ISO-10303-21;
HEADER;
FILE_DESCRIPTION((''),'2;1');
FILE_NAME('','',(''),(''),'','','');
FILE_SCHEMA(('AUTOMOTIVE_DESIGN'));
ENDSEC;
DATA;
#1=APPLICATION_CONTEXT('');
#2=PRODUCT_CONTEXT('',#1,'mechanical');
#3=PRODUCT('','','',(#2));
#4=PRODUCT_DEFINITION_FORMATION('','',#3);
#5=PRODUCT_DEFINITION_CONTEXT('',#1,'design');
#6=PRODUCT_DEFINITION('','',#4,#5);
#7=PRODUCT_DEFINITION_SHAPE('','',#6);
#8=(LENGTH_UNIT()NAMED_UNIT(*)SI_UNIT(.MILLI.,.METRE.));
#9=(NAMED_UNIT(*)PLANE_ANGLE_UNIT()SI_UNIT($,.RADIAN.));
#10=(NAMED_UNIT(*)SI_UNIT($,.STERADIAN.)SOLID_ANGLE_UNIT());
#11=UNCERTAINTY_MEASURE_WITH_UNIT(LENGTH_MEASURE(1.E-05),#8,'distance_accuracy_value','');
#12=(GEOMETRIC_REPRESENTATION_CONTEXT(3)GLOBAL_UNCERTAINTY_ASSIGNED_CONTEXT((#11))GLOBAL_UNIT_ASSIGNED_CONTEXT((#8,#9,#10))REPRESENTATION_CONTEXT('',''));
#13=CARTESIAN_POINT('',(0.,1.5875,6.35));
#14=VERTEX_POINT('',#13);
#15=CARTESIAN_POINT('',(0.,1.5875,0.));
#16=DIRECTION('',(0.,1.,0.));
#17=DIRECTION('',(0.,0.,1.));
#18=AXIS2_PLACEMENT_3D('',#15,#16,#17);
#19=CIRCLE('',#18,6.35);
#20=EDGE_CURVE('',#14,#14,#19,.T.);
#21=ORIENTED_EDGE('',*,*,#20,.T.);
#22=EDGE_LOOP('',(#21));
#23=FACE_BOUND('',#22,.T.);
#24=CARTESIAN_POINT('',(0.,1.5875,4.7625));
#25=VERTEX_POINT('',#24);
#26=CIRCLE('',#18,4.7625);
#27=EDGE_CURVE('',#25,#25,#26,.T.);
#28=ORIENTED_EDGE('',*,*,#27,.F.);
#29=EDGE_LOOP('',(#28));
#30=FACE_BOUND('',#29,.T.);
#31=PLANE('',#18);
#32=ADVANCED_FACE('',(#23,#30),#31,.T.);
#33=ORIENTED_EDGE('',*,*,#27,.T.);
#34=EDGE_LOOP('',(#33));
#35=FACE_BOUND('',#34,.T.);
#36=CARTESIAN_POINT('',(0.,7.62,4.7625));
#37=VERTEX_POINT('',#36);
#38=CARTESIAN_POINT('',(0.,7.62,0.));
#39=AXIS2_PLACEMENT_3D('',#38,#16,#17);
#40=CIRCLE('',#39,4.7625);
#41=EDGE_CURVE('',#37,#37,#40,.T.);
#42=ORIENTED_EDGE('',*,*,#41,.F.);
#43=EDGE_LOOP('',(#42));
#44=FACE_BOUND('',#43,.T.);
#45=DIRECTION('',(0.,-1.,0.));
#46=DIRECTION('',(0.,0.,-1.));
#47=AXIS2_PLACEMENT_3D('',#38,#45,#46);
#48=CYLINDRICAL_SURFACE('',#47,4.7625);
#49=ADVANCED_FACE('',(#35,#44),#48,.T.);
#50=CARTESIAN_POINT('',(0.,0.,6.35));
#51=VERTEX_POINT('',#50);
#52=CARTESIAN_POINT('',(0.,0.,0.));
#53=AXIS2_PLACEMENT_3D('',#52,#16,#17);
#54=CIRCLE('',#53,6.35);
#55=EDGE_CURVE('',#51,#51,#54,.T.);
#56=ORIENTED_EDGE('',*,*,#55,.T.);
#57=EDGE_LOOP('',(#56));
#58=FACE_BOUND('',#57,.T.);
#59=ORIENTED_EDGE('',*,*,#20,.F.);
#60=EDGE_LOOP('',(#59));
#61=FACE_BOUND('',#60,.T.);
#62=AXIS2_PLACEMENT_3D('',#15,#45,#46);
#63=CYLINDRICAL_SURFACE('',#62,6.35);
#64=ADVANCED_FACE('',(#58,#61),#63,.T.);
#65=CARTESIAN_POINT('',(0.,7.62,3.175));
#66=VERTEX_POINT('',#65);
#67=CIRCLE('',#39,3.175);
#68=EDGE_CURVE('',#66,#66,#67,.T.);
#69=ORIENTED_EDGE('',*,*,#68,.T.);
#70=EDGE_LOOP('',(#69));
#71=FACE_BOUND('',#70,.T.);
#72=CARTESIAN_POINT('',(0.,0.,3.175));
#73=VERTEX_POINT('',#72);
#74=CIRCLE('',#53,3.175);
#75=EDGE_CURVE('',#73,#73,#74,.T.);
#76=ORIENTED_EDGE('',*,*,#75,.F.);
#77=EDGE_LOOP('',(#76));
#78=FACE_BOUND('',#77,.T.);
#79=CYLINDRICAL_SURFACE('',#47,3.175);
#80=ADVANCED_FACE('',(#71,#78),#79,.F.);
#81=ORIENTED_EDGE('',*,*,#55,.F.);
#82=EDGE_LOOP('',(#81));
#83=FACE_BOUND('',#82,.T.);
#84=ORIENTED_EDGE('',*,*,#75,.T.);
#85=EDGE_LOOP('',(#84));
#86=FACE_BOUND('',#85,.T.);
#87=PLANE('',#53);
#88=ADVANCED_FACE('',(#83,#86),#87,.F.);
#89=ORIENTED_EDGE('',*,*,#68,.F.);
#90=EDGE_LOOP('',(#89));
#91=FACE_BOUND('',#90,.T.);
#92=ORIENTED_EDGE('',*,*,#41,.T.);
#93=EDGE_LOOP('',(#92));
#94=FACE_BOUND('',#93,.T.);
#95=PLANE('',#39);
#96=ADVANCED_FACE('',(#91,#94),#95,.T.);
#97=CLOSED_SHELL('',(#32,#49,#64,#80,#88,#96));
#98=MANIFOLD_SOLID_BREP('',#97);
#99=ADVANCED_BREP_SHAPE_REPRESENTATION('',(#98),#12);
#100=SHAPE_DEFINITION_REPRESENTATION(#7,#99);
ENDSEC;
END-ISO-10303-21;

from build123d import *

# Parameters (mm, degrees)
SKETCH2_R           = 4.7625
SKETCH2_R_2         = 3.175
BOSS_EXTRUDE1_DEPTH = 7.62
SKETCH3_R           = 6.35
SKETCH3_R_2         = 4.7625
BOSS_EXTRUDE2_DEPTH = 1.5875


with BuildPart() as part:
    # Sketch2 → Boss-Extrude1 (new body)
    with BuildSketch(Plane(origin=(0, 0, 0), x_dir=(1, 0, 0), z_dir=(0, 1, 0))):
        Circle(SKETCH2_R)
        Circle(SKETCH2_R_2, mode=Mode.SUBTRACT)
    extrude(amount=BOSS_EXTRUDE1_DEPTH)

    # Sketch3 → Boss-Extrude2 (add)
    with BuildSketch(Plane(origin=(0, 0, 0), x_dir=(1, 0, 0), z_dir=(0, 1, 0))):
        Circle(SKETCH3_R)
        Circle(SKETCH3_R_2, mode=Mode.SUBTRACT)
    extrude(amount=BOSS_EXTRUDE2_DEPTH)


solid = part.part
